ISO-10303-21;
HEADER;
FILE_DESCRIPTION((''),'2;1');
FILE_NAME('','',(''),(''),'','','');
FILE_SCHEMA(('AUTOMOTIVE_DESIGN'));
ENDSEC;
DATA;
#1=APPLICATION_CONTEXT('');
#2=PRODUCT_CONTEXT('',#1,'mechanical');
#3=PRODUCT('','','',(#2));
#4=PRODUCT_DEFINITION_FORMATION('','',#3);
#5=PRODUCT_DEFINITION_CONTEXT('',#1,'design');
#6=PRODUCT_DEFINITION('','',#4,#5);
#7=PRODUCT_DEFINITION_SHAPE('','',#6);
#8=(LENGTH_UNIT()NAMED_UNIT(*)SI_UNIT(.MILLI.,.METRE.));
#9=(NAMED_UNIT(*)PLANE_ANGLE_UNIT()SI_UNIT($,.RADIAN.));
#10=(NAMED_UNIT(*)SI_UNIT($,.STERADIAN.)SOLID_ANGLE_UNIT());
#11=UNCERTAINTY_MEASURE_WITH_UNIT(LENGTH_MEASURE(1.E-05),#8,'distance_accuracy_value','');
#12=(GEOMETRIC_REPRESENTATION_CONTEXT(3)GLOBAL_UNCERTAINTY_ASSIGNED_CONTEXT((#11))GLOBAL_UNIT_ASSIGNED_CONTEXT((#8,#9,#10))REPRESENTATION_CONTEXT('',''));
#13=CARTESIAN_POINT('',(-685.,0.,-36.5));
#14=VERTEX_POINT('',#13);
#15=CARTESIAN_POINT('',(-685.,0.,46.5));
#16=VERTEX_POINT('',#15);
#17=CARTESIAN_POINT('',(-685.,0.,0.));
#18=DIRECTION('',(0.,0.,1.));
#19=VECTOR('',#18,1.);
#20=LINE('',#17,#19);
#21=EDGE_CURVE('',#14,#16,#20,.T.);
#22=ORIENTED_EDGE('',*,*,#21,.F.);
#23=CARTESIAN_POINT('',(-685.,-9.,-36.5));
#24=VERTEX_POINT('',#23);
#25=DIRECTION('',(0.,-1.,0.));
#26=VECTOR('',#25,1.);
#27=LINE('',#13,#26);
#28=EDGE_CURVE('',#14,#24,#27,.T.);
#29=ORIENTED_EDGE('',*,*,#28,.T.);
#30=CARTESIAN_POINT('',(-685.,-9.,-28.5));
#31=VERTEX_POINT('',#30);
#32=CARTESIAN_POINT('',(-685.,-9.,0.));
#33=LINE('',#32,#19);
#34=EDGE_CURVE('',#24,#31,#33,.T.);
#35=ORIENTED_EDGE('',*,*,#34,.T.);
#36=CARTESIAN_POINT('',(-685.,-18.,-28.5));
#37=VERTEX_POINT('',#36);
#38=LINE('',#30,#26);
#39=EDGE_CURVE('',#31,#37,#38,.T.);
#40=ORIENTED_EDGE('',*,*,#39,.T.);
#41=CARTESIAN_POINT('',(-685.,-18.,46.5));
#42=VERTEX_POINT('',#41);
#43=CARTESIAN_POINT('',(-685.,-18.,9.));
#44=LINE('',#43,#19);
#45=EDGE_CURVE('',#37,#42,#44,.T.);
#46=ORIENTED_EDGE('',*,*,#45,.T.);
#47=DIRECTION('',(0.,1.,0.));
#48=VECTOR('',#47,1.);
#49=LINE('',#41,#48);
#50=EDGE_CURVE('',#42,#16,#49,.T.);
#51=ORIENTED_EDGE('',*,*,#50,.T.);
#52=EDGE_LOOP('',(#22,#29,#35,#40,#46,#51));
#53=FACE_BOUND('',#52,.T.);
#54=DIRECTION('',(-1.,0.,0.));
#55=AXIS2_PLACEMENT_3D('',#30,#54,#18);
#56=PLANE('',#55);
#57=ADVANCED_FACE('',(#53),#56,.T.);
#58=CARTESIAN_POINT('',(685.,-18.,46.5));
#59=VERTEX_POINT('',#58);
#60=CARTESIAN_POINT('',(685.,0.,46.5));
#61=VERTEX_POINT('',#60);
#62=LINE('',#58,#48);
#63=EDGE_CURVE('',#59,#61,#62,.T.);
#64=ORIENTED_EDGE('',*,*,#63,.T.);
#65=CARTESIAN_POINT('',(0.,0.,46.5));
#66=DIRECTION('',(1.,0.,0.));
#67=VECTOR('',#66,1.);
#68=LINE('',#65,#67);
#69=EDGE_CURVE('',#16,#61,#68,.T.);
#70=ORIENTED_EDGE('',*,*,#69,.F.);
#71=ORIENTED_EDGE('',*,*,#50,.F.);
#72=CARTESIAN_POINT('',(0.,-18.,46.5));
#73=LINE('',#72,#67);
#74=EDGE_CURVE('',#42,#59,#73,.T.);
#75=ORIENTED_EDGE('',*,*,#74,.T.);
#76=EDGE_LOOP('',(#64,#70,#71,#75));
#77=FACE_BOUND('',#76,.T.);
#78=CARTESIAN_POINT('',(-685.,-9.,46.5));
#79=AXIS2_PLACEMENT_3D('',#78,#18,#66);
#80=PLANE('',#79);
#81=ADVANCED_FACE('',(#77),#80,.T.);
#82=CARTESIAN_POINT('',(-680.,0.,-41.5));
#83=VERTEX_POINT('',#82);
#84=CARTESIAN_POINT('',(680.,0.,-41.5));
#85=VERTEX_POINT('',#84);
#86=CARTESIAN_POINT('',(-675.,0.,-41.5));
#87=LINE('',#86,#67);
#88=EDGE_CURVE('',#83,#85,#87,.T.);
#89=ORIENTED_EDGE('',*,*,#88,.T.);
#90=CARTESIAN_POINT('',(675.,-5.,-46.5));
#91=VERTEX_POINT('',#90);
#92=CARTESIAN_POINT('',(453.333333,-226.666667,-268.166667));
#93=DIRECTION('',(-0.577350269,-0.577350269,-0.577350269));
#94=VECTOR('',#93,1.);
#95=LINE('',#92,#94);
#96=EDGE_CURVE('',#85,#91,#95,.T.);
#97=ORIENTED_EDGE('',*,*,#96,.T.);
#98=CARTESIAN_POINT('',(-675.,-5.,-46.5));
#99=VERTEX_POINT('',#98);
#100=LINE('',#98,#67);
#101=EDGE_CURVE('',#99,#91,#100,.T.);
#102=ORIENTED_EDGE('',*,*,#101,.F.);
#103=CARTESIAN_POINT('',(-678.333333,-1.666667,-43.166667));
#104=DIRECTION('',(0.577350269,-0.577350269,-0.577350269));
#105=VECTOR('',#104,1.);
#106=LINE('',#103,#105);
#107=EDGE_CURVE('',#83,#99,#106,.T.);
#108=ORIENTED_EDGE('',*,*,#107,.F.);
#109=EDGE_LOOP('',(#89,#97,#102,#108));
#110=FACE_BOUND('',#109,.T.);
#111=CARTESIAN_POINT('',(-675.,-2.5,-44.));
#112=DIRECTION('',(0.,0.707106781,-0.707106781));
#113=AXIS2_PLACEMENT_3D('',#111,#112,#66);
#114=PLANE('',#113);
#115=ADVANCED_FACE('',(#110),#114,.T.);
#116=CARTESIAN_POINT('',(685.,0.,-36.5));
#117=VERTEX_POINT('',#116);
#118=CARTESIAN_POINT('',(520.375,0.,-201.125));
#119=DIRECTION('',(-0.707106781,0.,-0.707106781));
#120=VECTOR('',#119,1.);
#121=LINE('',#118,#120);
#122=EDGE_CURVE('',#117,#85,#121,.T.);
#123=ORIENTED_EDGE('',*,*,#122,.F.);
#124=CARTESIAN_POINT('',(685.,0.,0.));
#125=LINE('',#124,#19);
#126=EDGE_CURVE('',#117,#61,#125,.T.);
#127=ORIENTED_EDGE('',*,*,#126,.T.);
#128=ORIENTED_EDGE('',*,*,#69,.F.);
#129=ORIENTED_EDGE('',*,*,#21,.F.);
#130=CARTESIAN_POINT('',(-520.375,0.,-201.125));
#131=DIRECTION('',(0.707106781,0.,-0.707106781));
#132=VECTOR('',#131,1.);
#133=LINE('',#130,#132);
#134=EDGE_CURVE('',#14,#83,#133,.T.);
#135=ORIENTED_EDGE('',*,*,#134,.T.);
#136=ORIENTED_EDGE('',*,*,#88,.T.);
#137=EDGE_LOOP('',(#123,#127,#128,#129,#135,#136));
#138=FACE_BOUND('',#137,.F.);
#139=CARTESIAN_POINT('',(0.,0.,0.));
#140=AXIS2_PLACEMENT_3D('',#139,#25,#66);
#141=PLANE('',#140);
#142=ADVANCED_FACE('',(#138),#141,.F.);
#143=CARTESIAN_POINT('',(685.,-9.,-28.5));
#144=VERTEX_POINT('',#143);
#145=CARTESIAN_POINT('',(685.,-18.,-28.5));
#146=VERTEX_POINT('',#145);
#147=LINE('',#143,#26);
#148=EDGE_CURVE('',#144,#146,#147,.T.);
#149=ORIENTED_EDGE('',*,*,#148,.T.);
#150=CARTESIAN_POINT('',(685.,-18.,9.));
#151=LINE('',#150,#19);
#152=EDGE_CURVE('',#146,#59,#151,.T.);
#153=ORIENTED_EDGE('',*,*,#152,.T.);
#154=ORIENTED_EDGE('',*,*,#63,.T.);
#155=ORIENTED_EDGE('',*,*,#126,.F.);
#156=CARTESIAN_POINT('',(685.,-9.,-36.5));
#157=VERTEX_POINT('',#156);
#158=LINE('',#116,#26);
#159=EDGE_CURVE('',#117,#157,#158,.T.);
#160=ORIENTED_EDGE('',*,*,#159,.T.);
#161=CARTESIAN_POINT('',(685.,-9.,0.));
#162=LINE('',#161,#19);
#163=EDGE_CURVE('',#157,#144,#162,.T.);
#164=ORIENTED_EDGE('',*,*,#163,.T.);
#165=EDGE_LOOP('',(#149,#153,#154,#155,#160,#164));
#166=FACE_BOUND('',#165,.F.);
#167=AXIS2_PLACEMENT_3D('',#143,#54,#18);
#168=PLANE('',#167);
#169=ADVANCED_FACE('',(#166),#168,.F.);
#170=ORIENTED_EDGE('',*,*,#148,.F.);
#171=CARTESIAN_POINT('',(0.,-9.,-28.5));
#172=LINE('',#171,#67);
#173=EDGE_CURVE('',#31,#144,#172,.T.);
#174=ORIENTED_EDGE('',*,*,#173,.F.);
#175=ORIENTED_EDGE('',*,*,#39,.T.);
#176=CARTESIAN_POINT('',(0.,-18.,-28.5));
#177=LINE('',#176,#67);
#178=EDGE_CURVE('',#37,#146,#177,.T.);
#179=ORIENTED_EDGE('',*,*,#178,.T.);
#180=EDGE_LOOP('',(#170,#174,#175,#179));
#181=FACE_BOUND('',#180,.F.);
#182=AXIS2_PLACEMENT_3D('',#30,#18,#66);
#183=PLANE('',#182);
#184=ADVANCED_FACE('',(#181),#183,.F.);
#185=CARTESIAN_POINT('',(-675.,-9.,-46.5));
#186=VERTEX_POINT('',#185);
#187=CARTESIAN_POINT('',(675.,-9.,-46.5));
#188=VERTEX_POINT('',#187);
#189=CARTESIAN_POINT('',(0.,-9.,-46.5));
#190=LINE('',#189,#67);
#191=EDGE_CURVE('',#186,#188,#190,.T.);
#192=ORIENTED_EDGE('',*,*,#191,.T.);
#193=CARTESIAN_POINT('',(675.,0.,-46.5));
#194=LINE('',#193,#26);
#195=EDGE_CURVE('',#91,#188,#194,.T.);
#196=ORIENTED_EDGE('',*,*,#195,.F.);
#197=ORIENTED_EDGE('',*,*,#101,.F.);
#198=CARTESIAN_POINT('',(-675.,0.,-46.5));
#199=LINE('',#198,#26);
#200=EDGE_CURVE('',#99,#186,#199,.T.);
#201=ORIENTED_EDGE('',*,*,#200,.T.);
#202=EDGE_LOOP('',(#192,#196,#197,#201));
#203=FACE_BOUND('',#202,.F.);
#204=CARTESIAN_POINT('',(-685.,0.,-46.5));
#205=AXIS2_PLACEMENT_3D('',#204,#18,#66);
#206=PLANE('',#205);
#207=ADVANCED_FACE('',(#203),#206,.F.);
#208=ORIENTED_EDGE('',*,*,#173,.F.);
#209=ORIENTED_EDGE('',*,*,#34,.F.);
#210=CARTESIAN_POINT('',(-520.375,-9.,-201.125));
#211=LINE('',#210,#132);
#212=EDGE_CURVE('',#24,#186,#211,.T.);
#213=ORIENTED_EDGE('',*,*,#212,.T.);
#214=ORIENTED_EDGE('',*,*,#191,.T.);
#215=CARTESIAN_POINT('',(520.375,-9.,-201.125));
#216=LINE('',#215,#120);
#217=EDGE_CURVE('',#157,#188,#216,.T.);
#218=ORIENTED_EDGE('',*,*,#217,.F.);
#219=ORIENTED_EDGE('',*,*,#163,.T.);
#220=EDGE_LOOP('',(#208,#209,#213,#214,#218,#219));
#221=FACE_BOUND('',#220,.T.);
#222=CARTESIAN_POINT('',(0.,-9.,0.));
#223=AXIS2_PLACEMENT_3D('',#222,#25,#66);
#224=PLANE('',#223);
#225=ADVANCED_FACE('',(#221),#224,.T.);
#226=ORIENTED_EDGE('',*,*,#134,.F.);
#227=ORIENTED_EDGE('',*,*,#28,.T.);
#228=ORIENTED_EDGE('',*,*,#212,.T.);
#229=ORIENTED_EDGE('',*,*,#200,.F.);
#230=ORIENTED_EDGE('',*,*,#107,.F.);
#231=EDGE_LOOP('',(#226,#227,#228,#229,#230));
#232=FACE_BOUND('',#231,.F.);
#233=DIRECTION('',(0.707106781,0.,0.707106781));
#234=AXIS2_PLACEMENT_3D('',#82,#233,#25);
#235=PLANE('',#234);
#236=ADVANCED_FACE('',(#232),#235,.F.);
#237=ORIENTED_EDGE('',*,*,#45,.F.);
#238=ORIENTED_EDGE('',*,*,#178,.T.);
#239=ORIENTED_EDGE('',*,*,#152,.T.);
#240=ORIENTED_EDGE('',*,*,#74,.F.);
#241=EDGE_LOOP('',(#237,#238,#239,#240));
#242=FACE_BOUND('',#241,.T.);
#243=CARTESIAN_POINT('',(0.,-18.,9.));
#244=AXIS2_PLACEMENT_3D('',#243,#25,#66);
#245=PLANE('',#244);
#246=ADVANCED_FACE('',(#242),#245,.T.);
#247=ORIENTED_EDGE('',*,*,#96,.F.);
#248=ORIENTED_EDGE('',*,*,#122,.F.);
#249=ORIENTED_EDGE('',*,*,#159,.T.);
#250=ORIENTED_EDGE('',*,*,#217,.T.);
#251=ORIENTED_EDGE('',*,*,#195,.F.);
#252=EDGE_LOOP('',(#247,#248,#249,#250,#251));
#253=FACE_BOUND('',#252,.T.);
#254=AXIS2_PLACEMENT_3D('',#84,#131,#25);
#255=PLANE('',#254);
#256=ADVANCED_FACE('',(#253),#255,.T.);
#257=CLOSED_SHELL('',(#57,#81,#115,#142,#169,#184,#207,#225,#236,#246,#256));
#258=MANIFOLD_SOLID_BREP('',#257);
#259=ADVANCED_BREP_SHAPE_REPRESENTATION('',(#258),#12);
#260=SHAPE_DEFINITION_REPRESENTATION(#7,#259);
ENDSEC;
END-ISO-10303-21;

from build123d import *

# Parameters (mm, degrees)
F0_W     = 1370
F0_H     = 93
F1_DEPTH = 9
F2_W     = 1370
F2_H     = 75
F3_DEPTH = 9
F4_SIZE  = 10
F5_SIZE  = 5


with BuildPart() as f1:
    # F0 (on Front) → F1 (new body)
    with BuildSketch(Plane.XZ):
        Rectangle(F0_W, F0_H)
    extrude(amount=F1_DEPTH)

    # F2 (on face) → F3 (join)
    with BuildSketch(Plane.XZ.offset(9)):
        with Locations((0, 9)):
            Rectangle(F2_W, F2_H)
    extrude(amount=F3_DEPTH)

    # F4
    f4_edges = [f1.edges().sort_by_distance(p)[0] for p in [
        (685, -4.5, -46.5),
        (-685, -4.5, -46.5),
    ]]
    chamfer(f4_edges, length=F4_SIZE)

    # F5
    f5_edges = [f1.edges().sort_by_distance(p)[0] for p in [
        (0, 0, -46.5),
    ]]
    chamfer(f5_edges, length=F5_SIZE)


solid = f1.part
